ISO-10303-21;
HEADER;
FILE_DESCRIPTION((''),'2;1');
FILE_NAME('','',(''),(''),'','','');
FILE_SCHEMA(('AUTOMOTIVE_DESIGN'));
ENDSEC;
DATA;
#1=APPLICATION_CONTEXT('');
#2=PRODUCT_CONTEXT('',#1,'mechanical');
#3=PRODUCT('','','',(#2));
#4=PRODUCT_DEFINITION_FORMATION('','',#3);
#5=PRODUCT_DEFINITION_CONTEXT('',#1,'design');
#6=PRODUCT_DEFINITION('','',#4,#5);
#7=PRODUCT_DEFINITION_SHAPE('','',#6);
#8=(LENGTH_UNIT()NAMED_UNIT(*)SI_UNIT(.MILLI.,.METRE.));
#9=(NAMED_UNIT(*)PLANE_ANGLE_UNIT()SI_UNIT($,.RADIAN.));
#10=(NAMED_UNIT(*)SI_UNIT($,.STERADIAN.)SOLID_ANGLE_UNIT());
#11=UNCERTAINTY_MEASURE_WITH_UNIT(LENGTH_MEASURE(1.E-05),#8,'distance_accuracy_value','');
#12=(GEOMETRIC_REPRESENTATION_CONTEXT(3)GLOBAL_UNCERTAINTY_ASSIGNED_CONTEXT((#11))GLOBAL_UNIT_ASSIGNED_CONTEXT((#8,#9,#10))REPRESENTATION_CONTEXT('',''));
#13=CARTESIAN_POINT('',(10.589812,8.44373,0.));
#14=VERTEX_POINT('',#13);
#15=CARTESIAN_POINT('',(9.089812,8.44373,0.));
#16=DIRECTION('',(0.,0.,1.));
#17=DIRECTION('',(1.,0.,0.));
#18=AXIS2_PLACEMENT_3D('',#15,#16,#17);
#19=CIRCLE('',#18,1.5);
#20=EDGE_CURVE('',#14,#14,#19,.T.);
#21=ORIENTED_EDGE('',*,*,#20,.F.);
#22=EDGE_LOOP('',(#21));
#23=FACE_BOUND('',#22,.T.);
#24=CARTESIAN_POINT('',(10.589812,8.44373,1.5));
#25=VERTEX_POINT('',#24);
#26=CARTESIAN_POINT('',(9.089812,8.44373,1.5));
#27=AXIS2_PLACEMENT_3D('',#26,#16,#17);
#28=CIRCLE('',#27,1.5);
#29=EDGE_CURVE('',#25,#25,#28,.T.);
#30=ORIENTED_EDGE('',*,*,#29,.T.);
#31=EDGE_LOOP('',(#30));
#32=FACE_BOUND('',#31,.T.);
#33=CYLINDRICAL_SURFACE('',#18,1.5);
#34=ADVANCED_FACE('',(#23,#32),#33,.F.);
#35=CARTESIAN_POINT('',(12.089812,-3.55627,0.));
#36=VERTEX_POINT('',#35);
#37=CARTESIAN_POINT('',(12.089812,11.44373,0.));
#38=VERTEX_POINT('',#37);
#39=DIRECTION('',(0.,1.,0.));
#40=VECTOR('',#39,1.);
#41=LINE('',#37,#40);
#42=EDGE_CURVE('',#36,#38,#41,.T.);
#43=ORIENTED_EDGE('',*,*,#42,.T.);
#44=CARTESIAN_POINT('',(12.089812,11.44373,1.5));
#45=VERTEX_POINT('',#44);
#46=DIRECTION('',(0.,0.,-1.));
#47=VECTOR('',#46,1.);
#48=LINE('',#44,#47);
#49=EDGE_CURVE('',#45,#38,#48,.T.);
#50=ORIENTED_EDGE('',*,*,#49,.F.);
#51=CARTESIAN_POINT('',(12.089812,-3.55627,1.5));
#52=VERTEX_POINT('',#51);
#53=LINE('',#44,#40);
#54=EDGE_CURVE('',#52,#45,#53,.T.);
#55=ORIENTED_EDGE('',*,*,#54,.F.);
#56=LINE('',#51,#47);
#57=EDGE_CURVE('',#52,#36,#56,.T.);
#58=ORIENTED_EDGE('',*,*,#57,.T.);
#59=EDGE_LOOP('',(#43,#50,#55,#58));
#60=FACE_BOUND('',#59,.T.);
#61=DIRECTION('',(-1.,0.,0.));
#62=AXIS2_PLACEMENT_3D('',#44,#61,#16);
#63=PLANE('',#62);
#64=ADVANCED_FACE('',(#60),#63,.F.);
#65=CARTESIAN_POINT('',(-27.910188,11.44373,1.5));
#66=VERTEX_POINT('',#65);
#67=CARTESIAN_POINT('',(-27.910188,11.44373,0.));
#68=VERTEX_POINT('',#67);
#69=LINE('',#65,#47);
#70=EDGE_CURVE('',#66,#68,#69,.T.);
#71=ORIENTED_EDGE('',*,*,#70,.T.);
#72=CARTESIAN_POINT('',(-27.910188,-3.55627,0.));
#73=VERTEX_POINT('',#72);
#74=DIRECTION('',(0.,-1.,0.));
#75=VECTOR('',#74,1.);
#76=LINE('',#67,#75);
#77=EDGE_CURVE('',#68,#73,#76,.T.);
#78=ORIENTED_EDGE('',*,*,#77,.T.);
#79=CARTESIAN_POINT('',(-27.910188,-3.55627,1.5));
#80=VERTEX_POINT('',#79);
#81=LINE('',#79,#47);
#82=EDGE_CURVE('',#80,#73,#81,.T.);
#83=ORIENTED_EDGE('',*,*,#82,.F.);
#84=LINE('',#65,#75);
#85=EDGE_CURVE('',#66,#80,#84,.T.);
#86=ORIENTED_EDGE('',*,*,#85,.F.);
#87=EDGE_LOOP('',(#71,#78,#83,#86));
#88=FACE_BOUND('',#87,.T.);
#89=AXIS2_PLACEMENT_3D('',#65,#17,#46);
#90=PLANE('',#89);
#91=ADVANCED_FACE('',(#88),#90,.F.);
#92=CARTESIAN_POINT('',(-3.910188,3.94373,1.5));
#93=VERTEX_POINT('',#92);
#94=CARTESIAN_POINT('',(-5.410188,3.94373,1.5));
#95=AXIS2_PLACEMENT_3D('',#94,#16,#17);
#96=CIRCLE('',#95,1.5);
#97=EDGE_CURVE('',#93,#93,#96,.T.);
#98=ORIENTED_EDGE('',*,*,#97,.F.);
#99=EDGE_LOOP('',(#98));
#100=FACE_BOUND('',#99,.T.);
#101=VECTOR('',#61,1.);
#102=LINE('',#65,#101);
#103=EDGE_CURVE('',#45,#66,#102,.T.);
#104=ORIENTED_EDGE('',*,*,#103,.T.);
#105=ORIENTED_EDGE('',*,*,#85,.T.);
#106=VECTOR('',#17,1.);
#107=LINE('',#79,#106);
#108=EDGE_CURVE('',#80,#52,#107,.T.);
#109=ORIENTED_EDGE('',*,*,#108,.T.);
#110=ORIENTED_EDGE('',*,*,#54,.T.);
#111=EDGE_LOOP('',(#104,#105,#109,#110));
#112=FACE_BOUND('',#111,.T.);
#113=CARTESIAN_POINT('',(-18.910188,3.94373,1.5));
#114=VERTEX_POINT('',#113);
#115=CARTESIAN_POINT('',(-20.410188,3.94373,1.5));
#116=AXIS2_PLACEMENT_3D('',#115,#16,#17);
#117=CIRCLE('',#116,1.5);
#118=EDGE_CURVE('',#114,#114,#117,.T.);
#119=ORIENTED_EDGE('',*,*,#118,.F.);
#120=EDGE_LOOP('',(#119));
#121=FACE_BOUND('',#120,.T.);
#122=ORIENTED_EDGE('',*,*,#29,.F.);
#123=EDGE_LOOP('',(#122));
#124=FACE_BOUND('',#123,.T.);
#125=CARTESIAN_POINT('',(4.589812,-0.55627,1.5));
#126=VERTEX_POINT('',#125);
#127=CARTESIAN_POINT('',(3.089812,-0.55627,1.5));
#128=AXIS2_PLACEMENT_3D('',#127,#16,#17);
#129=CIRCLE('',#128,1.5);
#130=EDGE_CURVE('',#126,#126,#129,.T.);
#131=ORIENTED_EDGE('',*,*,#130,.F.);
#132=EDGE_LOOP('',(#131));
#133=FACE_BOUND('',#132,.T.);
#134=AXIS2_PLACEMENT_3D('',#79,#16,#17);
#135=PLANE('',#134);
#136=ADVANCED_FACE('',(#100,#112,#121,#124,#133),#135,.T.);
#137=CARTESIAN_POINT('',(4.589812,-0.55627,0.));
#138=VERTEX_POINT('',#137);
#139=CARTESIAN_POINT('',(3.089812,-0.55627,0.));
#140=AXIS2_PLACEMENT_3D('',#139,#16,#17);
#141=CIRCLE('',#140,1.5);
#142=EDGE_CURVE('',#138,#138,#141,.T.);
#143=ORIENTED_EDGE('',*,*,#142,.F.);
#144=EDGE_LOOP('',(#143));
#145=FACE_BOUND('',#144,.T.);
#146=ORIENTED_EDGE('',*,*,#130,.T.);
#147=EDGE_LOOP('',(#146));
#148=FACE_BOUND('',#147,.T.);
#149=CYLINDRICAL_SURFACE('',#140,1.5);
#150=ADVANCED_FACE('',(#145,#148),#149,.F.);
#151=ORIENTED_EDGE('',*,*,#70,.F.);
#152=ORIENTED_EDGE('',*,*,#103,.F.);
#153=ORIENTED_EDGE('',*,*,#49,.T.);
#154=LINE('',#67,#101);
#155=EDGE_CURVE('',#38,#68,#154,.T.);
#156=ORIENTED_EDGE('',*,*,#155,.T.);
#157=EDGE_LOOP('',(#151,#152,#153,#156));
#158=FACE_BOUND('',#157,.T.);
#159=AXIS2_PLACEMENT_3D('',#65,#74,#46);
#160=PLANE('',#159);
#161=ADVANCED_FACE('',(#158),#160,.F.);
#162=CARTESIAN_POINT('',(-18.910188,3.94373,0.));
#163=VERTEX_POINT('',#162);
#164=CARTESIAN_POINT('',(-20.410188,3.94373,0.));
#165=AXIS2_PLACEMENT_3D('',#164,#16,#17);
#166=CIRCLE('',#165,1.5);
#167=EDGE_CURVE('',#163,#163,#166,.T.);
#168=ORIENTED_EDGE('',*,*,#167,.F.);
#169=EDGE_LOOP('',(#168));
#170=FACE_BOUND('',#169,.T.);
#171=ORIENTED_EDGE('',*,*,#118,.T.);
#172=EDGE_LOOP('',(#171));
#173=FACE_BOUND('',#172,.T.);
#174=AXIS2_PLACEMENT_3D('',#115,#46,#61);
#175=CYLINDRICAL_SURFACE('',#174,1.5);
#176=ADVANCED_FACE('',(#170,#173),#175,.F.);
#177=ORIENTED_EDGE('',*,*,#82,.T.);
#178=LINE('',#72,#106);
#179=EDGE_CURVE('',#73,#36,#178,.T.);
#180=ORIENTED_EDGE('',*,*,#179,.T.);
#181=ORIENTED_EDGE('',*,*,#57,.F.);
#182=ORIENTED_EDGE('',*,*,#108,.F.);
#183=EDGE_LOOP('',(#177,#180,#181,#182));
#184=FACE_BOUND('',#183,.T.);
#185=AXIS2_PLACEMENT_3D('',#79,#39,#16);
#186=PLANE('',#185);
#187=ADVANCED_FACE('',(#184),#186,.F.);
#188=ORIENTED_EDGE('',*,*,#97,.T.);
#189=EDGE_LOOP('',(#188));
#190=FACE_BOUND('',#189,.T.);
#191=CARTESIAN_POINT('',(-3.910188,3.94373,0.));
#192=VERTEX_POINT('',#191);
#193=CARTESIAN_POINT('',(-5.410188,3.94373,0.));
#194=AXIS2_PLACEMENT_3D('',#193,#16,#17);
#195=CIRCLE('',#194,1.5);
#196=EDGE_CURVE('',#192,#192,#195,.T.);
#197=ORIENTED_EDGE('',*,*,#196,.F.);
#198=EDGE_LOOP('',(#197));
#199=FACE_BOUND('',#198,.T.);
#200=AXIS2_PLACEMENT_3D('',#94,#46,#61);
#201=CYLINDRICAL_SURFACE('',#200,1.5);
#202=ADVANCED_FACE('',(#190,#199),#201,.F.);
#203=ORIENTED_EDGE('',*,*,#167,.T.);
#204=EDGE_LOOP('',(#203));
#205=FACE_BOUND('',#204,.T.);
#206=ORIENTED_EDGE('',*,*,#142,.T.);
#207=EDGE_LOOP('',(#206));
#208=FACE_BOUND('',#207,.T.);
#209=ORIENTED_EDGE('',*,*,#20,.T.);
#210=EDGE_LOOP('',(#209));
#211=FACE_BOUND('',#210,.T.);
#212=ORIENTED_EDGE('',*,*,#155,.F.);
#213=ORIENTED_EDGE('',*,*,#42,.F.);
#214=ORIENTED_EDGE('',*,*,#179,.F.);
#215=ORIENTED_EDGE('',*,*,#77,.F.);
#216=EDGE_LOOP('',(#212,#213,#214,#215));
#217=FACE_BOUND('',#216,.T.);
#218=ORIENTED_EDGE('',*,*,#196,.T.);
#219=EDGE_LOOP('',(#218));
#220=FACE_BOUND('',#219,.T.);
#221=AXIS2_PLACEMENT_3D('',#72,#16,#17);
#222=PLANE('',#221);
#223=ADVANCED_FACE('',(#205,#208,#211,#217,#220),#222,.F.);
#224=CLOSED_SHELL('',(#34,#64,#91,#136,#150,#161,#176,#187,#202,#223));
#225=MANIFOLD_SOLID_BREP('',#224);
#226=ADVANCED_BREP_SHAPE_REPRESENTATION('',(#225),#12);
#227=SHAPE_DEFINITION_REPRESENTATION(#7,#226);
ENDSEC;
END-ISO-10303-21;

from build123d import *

# Parameters (mm, degrees)
ESQUISSE1_W      = 40
ESQUISSE1_H      = 15
ESQUISSE1_R      = 1.5
EXTRUSION1_DEPTH = 1.5
ESQUISSE2_R      = 1.5
EXTRUSION2_DEPTH = 1.5


with BuildPart() as part:
    # Esquisse1 → Extrusion1 (new body)
    with BuildSketch(Plane.XY):
        with Locations((-7.910187919, 3.943730074)):
            Rectangle(ESQUISSE1_W, ESQUISSE1_H)
        with Locations((-20.410187919, 3.943730074)):
            Circle(ESQUISSE1_R, mode=Mode.SUBTRACT)
        with Locations((-5.410187919, 3.943730074)):
            Circle(ESQUISSE1_R, mode=Mode.SUBTRACT)
    extrude(amount=EXTRUSION1_DEPTH)

    # Esquisse2 → Extrusion2 (cut)
    with BuildSketch(Plane.XY.offset(1.5)):
        with Locations((9.089812081, 8.443730074)):
            Circle(ESQUISSE2_R)
        with Locations((3.089812081, -0.556269926)):
            Circle(ESQUISSE2_R)
    extrude(amount=-EXTRUSION2_DEPTH, mode=Mode.SUBTRACT)


solid = part.part
